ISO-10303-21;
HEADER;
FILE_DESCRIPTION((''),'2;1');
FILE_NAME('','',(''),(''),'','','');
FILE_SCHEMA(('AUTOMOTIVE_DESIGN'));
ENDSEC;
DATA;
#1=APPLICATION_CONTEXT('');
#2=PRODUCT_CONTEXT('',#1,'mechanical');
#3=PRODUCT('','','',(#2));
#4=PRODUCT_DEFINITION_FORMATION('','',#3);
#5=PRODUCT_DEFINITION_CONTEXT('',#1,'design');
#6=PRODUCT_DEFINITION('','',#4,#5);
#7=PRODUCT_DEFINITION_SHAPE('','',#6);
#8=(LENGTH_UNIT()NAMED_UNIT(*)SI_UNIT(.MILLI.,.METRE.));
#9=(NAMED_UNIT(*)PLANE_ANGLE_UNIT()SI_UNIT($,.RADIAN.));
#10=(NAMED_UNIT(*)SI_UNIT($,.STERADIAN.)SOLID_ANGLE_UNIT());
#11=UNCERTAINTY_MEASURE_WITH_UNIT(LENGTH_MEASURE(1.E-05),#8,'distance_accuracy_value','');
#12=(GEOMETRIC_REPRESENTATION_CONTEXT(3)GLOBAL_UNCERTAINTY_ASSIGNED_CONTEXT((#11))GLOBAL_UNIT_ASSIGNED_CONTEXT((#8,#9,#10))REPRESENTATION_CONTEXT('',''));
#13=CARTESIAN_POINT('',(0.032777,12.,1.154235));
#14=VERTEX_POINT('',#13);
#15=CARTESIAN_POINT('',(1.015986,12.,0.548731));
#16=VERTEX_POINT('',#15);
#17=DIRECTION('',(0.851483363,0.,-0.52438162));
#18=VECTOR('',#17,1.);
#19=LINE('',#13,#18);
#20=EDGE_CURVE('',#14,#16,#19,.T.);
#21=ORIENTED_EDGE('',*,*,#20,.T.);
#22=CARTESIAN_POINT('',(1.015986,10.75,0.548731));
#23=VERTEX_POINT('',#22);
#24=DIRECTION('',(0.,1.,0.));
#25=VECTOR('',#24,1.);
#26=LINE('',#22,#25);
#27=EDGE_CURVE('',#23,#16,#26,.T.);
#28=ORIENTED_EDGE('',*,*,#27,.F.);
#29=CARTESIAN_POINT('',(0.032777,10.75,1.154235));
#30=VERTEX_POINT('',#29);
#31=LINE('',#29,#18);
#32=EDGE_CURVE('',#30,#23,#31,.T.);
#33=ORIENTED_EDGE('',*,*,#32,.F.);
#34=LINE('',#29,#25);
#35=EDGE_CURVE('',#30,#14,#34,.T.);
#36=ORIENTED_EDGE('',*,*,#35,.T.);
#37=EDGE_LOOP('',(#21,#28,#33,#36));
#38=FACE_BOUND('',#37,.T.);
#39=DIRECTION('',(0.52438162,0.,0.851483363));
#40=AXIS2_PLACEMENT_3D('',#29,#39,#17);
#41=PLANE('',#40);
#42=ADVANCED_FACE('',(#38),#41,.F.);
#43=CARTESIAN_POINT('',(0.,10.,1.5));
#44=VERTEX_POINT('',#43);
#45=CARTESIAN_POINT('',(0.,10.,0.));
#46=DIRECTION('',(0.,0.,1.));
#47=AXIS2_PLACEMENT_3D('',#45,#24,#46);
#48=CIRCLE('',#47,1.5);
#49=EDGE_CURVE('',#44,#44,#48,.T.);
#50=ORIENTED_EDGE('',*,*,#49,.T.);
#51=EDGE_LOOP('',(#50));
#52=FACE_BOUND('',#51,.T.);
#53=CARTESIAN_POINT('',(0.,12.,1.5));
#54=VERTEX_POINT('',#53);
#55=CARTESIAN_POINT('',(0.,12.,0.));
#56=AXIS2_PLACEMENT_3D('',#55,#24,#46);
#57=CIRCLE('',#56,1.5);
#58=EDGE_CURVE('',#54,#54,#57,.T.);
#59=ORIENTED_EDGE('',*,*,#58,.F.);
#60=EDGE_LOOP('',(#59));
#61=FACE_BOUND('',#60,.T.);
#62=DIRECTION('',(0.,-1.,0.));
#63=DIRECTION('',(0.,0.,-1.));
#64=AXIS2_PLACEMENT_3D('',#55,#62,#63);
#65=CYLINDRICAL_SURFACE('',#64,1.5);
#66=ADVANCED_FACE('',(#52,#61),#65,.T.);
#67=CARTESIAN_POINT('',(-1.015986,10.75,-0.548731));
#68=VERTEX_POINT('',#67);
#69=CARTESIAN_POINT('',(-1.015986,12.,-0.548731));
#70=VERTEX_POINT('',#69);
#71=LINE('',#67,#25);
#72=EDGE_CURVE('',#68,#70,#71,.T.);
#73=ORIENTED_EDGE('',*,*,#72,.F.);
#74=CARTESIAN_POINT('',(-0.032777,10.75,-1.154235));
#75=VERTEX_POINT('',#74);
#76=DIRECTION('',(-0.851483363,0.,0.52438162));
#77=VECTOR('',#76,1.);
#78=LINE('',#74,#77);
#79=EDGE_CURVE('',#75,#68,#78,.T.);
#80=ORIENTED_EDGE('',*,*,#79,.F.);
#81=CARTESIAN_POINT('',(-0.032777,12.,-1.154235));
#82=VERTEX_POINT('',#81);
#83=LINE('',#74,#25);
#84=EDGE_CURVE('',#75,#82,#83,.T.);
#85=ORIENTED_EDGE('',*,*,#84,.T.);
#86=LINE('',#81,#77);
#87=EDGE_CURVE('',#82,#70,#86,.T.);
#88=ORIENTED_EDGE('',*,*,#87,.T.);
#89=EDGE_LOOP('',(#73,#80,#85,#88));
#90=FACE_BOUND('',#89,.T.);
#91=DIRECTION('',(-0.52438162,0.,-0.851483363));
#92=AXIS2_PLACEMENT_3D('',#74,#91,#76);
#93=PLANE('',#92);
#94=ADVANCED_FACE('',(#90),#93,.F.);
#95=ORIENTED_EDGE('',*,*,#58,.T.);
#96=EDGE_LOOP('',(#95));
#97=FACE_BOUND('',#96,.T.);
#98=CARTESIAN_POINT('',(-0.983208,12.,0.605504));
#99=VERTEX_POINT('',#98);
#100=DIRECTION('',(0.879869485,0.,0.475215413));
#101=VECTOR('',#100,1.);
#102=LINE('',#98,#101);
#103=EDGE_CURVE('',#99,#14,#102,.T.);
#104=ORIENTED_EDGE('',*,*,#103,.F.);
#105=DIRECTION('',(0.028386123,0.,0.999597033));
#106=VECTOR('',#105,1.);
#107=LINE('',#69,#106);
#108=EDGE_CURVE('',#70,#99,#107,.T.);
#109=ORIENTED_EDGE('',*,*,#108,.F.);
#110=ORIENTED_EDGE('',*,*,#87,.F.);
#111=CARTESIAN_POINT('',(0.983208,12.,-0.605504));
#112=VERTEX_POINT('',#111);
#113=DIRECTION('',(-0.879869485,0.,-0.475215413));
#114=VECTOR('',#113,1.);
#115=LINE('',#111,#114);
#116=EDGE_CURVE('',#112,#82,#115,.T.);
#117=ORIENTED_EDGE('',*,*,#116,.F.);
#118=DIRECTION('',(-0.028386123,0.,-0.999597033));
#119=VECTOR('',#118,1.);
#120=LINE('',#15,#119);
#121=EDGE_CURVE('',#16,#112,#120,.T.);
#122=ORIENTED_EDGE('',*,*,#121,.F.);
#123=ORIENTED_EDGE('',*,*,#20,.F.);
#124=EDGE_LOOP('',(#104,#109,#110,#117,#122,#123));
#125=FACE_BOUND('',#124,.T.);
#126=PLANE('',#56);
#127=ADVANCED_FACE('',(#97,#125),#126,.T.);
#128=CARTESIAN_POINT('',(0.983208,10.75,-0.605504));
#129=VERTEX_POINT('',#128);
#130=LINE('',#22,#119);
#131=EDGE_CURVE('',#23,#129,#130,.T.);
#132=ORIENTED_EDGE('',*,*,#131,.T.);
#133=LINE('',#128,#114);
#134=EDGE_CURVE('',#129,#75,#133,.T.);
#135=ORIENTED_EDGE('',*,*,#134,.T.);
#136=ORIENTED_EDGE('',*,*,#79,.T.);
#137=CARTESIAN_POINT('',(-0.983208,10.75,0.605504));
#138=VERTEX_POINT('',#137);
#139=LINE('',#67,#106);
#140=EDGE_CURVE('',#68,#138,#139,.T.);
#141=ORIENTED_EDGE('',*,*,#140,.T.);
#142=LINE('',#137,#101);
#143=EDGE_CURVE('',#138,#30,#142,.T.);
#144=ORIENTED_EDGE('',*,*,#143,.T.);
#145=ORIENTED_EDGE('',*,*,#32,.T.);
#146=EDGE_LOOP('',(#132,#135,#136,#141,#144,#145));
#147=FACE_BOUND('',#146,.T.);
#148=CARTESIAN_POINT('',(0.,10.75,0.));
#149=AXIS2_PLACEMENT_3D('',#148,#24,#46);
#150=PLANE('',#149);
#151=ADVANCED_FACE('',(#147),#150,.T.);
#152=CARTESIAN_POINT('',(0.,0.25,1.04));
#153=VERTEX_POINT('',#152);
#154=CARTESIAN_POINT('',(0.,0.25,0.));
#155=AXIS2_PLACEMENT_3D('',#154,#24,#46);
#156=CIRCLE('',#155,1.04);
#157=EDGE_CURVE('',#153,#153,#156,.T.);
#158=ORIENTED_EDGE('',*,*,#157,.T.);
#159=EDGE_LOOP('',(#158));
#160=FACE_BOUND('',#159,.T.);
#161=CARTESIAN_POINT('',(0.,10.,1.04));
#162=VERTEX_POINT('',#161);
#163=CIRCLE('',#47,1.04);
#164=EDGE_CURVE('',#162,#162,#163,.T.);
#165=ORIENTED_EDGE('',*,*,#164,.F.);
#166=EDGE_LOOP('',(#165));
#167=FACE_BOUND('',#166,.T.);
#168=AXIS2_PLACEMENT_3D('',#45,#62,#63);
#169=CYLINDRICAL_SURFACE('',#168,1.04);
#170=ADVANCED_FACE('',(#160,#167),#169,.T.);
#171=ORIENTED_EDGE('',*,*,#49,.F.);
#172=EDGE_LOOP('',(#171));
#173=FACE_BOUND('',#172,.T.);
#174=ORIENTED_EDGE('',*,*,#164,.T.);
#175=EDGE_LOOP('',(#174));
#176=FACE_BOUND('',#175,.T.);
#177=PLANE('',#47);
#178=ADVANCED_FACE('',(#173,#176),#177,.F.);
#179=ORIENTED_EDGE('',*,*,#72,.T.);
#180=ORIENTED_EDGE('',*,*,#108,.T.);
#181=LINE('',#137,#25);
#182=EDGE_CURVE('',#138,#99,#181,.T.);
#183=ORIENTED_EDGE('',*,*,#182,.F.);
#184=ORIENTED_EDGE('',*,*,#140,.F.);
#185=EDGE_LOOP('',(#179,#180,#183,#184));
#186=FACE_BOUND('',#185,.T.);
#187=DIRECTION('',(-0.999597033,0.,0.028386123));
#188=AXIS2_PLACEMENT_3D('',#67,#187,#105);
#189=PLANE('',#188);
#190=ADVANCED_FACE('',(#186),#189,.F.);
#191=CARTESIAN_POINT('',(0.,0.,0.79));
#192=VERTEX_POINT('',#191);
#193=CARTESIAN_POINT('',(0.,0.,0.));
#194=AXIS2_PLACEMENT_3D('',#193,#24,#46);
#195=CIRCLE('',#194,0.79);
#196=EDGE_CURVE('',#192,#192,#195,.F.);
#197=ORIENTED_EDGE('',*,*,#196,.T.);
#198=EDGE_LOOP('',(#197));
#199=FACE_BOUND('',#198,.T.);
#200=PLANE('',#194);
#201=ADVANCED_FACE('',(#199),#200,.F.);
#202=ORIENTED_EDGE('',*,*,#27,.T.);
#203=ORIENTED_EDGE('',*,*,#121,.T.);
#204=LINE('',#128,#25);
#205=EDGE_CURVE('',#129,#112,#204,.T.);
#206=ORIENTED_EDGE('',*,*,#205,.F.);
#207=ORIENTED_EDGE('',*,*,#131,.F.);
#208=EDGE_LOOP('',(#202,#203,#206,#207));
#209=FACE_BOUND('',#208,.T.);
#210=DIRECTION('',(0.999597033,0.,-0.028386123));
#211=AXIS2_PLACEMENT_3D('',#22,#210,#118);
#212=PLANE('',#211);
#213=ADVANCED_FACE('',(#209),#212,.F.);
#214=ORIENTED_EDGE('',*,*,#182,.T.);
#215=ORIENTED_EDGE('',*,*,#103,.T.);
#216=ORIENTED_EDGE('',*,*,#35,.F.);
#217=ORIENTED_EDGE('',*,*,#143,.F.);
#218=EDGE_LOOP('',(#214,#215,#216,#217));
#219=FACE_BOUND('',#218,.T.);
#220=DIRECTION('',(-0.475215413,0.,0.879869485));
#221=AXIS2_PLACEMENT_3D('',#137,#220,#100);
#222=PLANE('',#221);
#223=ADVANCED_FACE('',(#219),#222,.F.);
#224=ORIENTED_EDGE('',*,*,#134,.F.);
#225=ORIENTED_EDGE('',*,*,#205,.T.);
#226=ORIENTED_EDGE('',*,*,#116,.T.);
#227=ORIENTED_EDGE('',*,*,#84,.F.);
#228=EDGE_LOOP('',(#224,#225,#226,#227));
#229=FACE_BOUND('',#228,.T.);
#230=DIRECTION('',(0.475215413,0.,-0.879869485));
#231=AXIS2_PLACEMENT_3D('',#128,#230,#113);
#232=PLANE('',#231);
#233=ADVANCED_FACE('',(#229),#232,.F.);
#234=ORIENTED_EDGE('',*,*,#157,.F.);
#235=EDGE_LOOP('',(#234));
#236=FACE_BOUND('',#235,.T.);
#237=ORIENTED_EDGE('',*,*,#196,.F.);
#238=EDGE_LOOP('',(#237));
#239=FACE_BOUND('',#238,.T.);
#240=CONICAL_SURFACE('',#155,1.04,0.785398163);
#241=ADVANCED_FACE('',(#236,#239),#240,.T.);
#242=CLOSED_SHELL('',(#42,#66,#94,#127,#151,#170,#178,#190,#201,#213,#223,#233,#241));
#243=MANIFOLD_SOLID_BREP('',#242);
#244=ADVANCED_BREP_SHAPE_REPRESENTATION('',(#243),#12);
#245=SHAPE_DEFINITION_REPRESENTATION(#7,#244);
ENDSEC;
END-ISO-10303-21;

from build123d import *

# Parameters (mm, degrees)
SKETCH1_R           = 1.04
BOSS_EXTRUDE1_DEPTH = 10
SKETCH2_R           = 1.5
BOSS_EXTRUDE2_DEPTH = 2
CUT_EXTRUDE1_DEPTH  = 1.25
CHAMFER1_SIZE       = 0.25


with BuildPart() as part:
    # Sketch1 → Boss-Extrude1 (new body)
    with BuildSketch(Plane(origin=(0, 0, 0), x_dir=(1, 0, 0), z_dir=(0, 1, 0))):
        with Locations(Location((0, 0, 0), (0, 0, 270))):
            Circle(SKETCH1_R)
    extrude(amount=BOSS_EXTRUDE1_DEPTH)

    # Sketch2 → Boss-Extrude2 (add)
    with BuildSketch(Plane(origin=(0, 10, 0), x_dir=(1, 0, 0), z_dir=(0, 1, 0))):
        with Locations(Location((0, 0, 0), (0, 0, 270))):
            Circle(SKETCH2_R)
    extrude(amount=BOSS_EXTRUDE2_DEPTH)

    # Sketch3 → Cut-Extrude1 (cut)
    with BuildSketch(Plane(origin=(0, 12, 0), x_dir=(1, 0, 0), z_dir=(0, 1, 0))):
        Polygon((-0.032777471, 1.154235232), (-1.015985768, 0.548731493), (-0.983208297, -0.605503739), (0.032777471, -1.154235232), (1.015985768, -0.548731493), (0.983208297, 0.605503739), align=None)
    extrude(amount=-CUT_EXTRUDE1_DEPTH, mode=Mode.SUBTRACT)

    # Chamfer1
    chamfer1_edges = [part.edges().sort_by_distance(p)[0] for p in [
        (0, 0, -1.04),
    ]]
    chamfer(chamfer1_edges, length=CHAMFER1_SIZE)


solid = part.part
